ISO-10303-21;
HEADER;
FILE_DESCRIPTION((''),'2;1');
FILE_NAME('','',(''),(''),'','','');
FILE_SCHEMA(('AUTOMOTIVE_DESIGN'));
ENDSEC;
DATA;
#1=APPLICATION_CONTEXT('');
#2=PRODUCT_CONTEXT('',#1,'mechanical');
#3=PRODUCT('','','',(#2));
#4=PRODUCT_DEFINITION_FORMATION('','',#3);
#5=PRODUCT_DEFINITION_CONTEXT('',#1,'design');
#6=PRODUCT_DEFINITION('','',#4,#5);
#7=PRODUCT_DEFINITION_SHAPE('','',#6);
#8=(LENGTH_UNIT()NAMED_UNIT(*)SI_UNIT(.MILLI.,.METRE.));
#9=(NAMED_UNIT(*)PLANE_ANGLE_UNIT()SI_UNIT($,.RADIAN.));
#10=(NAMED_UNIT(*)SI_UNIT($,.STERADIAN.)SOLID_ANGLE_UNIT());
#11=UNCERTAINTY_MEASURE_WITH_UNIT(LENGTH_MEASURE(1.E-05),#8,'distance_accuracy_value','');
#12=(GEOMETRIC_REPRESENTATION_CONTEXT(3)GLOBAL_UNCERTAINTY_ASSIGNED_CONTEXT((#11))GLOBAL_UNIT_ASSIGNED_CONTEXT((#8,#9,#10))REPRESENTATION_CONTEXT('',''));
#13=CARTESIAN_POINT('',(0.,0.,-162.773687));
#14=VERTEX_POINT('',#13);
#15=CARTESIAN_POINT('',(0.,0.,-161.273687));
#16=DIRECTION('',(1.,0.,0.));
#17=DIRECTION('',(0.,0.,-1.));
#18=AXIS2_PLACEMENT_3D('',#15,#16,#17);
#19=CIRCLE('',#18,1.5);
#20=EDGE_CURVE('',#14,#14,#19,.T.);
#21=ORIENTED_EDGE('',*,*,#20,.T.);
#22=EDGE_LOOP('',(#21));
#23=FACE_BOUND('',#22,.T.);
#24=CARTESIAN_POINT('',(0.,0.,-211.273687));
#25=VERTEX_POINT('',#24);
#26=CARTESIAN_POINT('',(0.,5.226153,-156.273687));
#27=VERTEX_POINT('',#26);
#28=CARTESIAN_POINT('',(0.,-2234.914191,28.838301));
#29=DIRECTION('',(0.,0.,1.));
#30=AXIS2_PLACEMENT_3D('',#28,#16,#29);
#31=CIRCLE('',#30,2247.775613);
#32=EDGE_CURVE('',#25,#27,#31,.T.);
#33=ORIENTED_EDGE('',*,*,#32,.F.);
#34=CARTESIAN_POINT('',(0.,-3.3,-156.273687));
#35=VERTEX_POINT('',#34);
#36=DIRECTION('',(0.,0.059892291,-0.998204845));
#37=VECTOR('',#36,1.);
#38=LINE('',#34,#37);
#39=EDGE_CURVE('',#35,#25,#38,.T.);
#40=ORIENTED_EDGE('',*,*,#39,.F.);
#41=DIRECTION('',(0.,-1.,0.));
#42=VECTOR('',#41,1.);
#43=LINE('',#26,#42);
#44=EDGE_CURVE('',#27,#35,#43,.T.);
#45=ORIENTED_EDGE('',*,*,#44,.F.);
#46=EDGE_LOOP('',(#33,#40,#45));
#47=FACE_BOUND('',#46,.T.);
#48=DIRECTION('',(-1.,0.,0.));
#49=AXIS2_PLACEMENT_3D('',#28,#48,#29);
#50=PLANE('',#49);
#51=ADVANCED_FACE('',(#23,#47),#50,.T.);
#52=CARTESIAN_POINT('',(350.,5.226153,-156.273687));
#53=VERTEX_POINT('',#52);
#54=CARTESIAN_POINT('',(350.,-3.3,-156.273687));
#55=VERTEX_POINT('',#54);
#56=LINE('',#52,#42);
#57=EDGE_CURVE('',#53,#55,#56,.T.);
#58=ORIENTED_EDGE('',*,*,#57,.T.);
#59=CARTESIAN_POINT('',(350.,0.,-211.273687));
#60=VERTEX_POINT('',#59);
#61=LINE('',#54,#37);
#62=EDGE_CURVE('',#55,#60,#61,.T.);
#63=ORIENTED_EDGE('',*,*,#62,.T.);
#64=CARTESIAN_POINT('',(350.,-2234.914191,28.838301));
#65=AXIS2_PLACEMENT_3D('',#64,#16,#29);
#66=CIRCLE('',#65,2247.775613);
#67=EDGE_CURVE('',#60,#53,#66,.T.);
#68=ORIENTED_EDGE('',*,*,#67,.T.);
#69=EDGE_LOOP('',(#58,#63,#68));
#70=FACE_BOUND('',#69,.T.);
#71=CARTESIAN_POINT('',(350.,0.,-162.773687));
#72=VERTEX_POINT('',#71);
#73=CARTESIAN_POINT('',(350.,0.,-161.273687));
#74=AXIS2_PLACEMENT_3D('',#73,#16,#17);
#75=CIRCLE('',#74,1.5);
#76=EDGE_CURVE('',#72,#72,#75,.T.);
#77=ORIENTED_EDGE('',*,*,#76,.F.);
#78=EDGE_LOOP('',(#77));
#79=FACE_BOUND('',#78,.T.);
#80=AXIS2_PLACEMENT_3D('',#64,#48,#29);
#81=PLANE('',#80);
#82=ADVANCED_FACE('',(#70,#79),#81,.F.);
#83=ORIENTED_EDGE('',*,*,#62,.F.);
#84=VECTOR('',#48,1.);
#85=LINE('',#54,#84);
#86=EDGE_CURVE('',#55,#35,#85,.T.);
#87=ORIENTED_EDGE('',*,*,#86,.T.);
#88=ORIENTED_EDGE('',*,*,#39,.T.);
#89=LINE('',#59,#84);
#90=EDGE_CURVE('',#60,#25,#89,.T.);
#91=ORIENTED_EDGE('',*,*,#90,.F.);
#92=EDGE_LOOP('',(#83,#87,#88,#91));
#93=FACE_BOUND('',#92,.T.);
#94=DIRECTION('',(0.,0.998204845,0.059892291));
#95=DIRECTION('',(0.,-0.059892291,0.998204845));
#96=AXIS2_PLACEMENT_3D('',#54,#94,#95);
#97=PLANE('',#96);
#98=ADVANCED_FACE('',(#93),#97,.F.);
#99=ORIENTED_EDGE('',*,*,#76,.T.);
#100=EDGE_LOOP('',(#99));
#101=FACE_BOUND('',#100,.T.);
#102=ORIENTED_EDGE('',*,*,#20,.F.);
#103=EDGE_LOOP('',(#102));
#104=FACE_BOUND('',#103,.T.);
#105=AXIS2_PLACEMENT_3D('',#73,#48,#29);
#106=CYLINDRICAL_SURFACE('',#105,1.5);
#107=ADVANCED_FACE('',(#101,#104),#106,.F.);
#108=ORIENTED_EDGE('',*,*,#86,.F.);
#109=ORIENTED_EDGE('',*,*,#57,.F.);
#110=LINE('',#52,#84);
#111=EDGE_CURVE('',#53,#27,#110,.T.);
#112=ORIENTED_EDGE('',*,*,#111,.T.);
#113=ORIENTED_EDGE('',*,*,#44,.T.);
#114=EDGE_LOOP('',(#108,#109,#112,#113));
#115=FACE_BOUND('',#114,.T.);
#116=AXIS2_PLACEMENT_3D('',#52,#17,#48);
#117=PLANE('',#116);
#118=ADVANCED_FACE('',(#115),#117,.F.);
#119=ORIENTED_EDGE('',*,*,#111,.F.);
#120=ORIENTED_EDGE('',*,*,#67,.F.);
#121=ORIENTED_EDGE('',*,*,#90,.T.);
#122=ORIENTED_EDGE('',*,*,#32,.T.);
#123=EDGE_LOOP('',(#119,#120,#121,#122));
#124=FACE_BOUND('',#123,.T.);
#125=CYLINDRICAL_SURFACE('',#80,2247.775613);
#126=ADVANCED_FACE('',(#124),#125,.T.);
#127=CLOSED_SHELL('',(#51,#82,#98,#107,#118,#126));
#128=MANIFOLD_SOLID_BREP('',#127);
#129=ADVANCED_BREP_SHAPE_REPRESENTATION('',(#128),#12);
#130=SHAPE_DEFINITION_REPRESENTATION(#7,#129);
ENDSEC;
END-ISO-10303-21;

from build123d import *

# Parameters (mm, degrees)
SKETCH_1_R      = 1.5
EXTRUDE_1_DEPTH = 350


with BuildPart() as part:
    # Эскиз1 → Бобышка-Вытянуть1 (new body)
    with BuildSketch(Plane(origin=(0, 0, 0), x_dir=(0, 0, -1), z_dir=(1, 0, 0))):
        with BuildLine():
            Line((156.27368713, -3.3), (211.27368713, 0))
            ThreePointArc((211.27368713, 0), (183.789744339, 2.782062357), (156.27368713, 5.226152768))
            Line((156.27368713, 5.226152768), (156.27368713, -3.3))
        make_face()
        with Locations((161.27368713, 0)):
            Circle(SKETCH_1_R, mode=Mode.SUBTRACT)
    extrude(amount=EXTRUDE_1_DEPTH)


solid = part.part
